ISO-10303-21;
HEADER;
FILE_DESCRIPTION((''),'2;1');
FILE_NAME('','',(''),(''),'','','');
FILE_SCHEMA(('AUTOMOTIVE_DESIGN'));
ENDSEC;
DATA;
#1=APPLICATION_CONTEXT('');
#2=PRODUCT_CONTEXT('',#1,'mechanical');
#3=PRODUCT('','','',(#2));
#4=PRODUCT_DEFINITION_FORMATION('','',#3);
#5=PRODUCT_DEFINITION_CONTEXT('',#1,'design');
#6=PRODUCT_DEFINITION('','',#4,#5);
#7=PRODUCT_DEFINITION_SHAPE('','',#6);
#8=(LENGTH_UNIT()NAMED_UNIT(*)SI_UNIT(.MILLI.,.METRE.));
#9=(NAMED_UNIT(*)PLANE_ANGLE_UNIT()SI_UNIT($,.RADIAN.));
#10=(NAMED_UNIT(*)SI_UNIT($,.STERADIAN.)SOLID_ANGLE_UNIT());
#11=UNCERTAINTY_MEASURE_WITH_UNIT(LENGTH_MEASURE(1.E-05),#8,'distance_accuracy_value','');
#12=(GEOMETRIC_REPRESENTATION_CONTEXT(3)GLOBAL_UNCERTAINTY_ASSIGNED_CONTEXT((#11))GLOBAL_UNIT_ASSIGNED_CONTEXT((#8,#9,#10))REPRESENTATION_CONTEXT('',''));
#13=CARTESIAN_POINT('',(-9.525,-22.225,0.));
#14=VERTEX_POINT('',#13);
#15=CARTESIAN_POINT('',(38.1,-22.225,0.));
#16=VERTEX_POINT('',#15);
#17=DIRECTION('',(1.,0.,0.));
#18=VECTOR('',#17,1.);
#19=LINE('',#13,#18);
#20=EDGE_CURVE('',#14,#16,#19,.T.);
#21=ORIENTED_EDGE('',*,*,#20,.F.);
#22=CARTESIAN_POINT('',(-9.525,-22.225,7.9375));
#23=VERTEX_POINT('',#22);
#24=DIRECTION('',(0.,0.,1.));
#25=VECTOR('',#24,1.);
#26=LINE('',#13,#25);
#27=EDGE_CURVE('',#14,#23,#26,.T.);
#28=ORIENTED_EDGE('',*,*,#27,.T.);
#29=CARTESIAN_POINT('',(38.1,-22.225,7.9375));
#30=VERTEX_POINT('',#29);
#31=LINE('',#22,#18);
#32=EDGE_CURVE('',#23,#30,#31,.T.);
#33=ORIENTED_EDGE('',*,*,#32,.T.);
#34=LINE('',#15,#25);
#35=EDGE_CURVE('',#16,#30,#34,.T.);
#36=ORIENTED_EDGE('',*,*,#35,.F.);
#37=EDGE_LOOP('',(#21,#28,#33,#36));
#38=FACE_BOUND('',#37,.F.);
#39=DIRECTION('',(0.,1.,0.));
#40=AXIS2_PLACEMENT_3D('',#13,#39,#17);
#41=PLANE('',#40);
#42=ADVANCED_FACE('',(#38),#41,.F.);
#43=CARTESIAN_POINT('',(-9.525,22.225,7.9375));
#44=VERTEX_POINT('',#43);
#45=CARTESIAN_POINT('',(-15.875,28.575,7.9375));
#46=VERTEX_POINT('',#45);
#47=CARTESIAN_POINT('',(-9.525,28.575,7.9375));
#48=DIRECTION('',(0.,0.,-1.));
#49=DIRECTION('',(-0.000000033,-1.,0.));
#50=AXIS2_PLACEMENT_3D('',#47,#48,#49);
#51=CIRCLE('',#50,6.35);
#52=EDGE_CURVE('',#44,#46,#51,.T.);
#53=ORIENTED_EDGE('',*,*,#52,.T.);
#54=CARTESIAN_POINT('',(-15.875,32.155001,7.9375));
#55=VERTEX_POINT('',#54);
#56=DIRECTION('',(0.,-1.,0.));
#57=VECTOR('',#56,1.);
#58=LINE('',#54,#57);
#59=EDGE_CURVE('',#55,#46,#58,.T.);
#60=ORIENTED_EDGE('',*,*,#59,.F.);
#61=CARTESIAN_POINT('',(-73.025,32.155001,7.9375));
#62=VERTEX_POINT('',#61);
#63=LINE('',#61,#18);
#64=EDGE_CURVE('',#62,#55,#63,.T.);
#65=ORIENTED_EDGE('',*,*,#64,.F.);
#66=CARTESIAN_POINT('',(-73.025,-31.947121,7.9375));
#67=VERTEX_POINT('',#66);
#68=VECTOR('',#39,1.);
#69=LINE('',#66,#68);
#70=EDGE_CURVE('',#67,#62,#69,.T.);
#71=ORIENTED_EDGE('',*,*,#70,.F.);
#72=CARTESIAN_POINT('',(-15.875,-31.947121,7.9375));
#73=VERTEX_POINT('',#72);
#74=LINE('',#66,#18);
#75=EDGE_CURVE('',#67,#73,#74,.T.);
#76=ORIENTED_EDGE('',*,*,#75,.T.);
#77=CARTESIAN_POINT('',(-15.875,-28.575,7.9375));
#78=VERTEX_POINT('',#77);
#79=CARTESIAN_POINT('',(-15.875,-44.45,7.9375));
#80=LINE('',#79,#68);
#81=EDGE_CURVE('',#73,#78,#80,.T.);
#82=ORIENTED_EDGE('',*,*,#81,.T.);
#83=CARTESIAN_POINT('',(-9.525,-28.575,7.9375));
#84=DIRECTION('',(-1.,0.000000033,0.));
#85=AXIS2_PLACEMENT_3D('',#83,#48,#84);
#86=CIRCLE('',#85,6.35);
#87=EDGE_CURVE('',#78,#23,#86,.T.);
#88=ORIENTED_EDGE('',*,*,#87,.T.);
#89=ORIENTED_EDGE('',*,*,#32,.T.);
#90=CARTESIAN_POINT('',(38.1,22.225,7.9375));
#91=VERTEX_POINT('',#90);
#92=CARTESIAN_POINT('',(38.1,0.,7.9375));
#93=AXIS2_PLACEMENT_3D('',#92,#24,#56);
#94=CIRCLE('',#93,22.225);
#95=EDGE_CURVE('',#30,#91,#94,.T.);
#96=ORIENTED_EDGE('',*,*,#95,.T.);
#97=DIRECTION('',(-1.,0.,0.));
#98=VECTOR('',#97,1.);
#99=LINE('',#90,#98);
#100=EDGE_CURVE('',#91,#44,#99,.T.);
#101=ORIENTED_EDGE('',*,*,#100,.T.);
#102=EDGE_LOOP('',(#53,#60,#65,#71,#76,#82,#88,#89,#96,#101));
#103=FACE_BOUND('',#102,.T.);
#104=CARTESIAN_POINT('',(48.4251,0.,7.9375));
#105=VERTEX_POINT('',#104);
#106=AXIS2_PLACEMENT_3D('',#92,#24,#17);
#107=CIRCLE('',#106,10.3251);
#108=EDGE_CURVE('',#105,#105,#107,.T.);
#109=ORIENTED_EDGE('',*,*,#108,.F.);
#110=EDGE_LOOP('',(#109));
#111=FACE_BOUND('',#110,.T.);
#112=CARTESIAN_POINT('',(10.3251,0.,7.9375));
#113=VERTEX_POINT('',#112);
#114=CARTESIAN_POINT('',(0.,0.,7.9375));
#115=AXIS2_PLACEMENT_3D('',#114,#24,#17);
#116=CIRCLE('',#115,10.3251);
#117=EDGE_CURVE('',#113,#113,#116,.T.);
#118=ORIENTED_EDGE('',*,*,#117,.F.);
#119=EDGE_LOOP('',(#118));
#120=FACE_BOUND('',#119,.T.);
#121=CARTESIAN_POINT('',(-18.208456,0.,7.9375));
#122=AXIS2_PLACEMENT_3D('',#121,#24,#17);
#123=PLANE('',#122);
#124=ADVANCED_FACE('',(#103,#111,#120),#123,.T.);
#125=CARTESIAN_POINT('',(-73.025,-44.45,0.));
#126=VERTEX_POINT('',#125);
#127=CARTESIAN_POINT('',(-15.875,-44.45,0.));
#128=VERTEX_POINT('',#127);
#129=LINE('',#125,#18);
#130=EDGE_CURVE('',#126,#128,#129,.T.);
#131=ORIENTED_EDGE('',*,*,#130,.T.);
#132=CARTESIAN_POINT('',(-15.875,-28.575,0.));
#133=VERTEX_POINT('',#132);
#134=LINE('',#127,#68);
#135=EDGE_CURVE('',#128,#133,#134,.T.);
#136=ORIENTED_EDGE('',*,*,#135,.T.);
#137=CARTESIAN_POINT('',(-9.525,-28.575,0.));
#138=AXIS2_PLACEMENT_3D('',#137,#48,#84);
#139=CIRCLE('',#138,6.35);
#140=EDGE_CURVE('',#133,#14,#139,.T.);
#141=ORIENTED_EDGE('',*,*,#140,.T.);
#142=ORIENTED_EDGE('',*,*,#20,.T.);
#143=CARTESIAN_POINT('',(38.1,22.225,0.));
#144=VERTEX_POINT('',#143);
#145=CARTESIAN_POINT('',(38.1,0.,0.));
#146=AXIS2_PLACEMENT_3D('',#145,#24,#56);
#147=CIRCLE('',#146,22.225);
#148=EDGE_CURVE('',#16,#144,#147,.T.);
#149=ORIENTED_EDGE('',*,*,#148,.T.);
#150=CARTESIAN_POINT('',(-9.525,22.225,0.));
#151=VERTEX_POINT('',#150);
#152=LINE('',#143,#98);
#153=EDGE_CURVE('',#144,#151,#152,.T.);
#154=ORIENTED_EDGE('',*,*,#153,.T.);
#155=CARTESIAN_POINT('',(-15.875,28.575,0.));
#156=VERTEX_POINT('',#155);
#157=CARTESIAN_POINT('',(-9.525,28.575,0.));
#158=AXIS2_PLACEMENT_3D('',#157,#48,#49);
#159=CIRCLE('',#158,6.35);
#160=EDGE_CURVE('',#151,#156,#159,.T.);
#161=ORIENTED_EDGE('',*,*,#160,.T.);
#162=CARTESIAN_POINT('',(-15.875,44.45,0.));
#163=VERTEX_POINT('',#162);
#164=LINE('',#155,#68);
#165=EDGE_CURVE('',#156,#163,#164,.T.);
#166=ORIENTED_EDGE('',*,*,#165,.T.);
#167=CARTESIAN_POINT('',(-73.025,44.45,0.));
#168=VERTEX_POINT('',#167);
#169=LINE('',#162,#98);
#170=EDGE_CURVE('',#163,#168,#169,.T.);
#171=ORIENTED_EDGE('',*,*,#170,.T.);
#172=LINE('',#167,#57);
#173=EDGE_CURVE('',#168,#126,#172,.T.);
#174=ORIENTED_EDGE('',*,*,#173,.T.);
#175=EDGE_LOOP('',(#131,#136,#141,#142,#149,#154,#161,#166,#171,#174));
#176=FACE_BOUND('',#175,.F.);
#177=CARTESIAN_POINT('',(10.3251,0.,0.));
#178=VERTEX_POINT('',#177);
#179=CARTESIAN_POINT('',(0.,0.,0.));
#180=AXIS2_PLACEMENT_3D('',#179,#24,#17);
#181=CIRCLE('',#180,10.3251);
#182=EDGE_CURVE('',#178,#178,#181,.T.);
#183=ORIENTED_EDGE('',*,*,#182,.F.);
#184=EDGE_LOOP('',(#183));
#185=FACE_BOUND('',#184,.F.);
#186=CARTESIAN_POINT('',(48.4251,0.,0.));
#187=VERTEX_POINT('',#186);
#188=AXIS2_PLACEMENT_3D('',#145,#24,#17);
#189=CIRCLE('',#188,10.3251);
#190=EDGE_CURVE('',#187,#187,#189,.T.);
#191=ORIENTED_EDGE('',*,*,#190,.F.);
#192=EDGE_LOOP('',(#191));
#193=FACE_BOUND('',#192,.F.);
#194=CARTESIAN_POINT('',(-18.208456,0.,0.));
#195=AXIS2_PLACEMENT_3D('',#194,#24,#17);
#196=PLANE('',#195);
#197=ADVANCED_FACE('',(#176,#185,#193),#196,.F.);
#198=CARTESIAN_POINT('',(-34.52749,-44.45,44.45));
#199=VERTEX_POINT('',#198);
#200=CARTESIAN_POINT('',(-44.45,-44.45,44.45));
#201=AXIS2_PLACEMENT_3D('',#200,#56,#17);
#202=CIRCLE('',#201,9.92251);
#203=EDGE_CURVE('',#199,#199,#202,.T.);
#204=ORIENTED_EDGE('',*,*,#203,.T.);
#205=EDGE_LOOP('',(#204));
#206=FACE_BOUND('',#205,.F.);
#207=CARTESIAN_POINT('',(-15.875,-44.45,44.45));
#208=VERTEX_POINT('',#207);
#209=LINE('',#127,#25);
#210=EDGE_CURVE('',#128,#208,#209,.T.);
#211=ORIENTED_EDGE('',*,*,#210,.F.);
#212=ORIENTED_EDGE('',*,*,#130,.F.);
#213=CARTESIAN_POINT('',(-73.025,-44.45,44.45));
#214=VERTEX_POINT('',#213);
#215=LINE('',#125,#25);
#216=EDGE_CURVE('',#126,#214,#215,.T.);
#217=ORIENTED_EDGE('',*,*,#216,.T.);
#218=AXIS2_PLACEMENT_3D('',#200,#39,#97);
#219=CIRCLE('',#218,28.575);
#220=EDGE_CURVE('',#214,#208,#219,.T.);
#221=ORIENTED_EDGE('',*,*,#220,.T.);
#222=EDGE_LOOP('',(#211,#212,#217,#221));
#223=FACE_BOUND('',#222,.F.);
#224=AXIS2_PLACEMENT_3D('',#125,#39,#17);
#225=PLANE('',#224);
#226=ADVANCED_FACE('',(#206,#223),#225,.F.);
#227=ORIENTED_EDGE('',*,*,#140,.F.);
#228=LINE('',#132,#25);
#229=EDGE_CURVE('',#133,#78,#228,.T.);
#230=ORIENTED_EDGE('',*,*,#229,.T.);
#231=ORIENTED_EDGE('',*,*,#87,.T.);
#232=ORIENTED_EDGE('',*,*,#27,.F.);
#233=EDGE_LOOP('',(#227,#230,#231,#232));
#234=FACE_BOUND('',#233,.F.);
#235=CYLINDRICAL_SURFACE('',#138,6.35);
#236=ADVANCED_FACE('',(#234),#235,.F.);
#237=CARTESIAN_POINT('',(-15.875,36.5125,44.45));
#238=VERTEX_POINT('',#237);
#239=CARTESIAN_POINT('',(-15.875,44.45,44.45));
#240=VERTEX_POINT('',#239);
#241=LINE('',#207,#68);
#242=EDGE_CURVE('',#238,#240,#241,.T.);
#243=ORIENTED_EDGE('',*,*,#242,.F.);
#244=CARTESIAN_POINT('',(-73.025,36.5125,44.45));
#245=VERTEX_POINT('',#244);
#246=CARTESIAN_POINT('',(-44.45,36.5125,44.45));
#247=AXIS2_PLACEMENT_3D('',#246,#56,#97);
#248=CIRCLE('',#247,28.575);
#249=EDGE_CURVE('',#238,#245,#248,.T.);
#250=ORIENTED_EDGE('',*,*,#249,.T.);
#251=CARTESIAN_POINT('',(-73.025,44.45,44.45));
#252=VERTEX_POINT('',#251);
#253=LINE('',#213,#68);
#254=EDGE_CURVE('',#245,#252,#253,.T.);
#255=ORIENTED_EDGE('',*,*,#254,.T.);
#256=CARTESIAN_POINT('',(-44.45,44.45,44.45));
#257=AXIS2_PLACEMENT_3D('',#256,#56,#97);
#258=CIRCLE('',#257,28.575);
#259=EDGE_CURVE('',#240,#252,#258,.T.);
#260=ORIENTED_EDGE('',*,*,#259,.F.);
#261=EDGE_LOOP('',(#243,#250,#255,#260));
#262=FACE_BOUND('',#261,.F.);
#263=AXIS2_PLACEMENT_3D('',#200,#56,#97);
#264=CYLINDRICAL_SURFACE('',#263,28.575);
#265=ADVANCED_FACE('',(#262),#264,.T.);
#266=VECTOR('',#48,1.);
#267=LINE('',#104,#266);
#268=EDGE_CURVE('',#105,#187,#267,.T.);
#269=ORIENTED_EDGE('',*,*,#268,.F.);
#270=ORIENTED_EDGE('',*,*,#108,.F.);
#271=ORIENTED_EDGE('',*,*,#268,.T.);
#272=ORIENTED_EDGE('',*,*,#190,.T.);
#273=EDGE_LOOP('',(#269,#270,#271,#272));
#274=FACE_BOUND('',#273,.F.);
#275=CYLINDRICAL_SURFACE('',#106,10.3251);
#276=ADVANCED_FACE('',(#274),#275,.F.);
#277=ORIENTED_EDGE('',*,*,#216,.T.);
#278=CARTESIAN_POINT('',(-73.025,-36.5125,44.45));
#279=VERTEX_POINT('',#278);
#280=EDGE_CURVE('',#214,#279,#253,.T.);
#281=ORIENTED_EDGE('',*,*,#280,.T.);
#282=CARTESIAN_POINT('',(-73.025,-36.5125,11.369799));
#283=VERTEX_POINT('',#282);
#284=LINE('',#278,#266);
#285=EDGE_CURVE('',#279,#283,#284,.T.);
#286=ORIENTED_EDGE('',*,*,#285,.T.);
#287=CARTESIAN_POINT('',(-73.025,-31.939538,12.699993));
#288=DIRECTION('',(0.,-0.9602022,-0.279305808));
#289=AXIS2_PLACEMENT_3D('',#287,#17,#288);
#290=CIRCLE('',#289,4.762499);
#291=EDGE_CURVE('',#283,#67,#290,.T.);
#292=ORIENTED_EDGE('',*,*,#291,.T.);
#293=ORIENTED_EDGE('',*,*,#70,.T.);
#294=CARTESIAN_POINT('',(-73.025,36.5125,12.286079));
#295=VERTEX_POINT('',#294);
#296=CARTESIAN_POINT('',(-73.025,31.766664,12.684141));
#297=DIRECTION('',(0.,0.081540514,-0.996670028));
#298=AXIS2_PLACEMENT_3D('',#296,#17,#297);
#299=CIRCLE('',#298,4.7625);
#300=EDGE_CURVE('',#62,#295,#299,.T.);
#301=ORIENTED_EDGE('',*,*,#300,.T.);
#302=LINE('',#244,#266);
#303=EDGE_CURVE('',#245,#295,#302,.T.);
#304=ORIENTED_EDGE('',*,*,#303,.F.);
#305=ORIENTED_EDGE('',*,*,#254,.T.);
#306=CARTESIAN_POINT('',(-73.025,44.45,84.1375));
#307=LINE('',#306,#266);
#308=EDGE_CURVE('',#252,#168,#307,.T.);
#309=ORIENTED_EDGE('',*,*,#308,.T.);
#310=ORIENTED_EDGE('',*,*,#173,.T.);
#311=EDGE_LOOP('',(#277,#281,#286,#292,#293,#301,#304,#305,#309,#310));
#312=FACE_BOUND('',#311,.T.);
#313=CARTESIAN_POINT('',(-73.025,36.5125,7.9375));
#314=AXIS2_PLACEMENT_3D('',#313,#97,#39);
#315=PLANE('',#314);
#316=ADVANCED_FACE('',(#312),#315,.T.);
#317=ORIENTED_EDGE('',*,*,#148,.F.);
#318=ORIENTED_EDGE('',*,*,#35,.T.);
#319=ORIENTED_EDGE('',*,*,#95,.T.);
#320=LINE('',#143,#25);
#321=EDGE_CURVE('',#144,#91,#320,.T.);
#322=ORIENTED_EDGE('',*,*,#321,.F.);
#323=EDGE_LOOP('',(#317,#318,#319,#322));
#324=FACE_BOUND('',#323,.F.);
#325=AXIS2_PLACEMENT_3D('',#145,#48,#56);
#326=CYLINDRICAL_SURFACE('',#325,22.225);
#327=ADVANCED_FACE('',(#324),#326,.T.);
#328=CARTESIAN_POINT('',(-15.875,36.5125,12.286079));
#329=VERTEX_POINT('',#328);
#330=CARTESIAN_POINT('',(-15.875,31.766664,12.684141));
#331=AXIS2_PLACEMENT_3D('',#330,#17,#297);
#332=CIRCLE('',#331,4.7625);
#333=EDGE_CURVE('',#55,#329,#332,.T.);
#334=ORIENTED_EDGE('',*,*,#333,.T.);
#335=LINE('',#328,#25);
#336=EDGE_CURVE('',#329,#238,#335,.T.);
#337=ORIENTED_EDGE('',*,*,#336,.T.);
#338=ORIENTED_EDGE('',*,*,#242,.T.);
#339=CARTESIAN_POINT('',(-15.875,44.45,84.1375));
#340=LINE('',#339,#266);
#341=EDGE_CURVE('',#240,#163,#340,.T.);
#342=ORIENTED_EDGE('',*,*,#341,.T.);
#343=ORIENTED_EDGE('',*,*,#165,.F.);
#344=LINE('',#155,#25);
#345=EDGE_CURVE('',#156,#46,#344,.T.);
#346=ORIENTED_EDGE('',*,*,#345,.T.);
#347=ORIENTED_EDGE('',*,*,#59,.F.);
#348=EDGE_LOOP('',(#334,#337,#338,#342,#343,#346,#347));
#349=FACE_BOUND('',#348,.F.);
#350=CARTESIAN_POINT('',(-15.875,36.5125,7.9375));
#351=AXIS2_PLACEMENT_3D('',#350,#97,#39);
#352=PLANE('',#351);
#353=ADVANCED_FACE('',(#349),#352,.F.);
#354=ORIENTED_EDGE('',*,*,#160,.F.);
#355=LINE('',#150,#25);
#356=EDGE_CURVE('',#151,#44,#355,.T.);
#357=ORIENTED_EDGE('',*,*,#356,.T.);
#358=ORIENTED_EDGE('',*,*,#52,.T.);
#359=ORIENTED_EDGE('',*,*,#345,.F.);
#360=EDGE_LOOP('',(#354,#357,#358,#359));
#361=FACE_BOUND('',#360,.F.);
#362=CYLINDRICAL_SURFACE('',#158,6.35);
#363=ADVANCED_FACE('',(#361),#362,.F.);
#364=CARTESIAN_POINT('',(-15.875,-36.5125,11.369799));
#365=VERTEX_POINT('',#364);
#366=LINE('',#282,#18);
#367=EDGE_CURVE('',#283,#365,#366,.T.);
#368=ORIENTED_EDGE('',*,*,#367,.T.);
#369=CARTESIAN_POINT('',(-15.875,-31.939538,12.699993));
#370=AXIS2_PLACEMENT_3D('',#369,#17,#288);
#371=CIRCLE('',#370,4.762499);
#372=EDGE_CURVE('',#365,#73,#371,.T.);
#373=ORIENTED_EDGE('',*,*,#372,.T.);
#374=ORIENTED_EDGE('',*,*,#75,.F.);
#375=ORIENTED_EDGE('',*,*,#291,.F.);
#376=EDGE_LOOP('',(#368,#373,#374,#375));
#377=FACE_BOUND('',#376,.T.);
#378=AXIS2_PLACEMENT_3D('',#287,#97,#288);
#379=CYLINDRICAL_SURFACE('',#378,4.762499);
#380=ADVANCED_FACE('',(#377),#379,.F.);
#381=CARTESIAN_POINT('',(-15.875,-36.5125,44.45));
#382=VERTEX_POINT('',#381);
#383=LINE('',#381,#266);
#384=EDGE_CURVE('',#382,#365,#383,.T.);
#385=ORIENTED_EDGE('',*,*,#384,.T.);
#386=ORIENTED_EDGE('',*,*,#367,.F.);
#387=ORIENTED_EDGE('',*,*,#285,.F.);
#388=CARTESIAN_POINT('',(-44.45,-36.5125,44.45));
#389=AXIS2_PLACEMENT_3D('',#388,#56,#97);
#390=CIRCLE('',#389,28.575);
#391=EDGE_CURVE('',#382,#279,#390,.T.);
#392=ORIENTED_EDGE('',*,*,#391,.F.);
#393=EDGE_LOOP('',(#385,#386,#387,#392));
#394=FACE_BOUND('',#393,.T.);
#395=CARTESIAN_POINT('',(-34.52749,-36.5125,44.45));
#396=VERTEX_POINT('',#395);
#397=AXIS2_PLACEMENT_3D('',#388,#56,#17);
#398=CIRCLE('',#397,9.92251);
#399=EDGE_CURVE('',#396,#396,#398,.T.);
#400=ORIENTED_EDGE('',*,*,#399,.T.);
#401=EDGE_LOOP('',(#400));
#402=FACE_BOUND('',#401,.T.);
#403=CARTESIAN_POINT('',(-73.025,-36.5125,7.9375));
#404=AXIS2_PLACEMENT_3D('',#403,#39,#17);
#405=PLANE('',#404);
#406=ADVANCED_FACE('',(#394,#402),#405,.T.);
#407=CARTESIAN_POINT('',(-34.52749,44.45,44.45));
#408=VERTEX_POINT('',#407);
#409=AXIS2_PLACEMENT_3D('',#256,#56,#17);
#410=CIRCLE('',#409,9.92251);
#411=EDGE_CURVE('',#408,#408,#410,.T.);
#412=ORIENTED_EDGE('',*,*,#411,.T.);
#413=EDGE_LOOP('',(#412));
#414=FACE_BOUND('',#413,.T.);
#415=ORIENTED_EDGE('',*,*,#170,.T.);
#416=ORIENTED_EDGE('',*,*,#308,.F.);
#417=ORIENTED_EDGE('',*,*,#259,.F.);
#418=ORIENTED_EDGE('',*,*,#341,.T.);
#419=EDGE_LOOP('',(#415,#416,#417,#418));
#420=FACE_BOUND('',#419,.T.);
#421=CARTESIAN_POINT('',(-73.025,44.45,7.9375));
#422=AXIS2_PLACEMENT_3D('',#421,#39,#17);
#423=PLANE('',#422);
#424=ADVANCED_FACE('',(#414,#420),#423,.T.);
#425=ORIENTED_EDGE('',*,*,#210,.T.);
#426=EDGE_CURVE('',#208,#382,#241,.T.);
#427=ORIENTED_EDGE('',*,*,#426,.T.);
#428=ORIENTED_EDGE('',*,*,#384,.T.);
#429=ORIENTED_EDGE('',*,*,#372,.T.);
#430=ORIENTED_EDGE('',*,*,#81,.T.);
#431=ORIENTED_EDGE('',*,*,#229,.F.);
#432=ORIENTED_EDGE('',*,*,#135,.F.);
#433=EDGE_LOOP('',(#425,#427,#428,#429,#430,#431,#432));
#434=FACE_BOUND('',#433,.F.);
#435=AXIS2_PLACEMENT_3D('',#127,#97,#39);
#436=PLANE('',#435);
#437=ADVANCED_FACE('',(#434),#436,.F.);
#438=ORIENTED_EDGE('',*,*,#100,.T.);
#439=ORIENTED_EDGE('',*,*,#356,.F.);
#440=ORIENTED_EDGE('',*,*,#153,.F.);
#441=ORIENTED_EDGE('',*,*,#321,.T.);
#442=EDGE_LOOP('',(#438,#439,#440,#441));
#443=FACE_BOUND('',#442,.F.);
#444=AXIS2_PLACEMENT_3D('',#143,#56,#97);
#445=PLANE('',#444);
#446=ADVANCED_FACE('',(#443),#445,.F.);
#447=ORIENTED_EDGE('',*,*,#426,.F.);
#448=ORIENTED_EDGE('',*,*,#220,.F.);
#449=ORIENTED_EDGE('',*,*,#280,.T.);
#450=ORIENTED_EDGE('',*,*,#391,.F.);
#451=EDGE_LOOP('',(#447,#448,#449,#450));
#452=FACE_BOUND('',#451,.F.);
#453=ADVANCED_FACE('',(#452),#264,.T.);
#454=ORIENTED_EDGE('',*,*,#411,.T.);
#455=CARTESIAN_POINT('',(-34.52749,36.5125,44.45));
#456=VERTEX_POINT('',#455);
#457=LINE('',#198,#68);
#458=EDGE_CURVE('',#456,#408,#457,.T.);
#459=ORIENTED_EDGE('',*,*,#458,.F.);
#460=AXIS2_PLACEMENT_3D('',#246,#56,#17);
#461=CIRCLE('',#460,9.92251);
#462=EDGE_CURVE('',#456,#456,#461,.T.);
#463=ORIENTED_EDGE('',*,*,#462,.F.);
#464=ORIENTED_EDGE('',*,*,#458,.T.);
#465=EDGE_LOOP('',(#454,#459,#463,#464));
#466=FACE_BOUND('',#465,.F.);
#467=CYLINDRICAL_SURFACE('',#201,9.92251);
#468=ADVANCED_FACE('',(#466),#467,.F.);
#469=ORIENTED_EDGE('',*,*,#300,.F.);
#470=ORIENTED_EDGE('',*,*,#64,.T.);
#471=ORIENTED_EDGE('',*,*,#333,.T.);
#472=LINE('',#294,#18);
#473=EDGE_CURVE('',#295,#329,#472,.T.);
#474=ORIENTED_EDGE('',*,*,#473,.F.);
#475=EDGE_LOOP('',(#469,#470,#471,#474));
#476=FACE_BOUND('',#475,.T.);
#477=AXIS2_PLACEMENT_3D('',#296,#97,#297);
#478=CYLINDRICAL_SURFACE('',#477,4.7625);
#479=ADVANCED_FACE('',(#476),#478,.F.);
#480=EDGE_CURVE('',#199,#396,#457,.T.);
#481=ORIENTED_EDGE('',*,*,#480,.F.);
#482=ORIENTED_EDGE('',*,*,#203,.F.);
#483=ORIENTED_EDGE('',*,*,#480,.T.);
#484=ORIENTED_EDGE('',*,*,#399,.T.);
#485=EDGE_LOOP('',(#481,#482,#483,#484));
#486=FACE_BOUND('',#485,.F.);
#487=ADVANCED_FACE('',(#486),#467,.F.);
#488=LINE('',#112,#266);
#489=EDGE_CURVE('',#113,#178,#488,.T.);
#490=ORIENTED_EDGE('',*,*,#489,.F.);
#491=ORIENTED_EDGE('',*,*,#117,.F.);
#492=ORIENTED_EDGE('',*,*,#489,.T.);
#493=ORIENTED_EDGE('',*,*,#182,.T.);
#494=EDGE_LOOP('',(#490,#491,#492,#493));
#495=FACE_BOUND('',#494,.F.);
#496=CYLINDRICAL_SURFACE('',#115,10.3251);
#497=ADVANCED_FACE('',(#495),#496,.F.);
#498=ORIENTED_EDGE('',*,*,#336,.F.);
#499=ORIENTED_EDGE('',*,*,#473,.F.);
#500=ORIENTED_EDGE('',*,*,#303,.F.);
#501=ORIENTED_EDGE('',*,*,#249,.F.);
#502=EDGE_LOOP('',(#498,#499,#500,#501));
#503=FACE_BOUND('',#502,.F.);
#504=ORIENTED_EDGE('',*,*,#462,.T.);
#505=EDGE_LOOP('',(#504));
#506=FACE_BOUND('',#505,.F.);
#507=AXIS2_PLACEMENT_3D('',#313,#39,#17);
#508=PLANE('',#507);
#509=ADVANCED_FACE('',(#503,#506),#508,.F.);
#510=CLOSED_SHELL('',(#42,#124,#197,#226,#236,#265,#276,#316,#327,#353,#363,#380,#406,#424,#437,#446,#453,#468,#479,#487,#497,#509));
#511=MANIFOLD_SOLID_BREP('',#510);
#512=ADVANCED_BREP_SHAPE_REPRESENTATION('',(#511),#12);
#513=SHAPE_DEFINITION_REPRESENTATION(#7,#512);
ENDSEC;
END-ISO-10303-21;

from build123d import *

# Parameters (mm, degrees)
F1_DEPTH = 7.9375
F2_W     = 57.15
F2_H     = 7.9375
F3_DEPTH = 76.2
F4_R     = 9.92251
F5_DEPTH = 88.901
F6_R     = 10.3251
F7_DEPTH = 25.4
F9_DEPTH = 57.15


with BuildPart() as f1:
    # F0 (on Top) → F1 (new body)
    with BuildSketch(Plane.XY):
        with BuildLine():
            Line((-9.525, -22.225), (38.1, -22.225))
            ThreePointArc((38.1, -22.225), (60.325, 0), (38.1, 22.225))
            Line((38.1, 22.225), (-9.525, 22.225))
            ThreePointArc((-9.525, 22.225), (-14.015128, 24.084872), (-15.875, 28.575))
            Line((-15.875, 28.575), (-15.875, 44.45))
            Line((-15.875, 44.45), (-73.025, 44.45))
            Line((-73.025, 44.45), (-73.025, -44.45))
            Line((-73.025, -44.45), (-15.875, -44.45))
            Line((-15.875, -44.45), (-15.875, -28.575))
            ThreePointArc((-15.875, -28.575), (-14.015128, -24.084872), (-9.525, -22.225))
        make_face()
    extrude(amount=F1_DEPTH)

    # F2 (on face) → F3 (join)
    with BuildSketch(Plane.XY.offset(7.9375)):
        with Locations((-44.45, 40.48125)):
            Rectangle(F2_W, F2_H)
        with Locations((-44.45, -40.48125)):
            Rectangle(F2_W, F2_H)
    extrude(amount=F3_DEPTH)

    # F4 (on face) → F5 (cut, through all)
    with BuildSketch(Plane.XZ.offset(44.45)):
        with BuildLine():
            ThreePointArc((-73.025, 44.45), (-44.45, 73.025), (-15.875, 44.45))
            Line((-15.875, 44.45), (-15.875, 84.1375))
            Line((-15.875, 84.1375), (-73.025, 84.1375))
            Line((-73.025, 84.1375), (-73.025, 44.45))
        make_face()
        with Locations((-44.45, 44.45)):
            Circle(F4_R)
    extrude(amount=-F5_DEPTH, mode=Mode.SUBTRACT)

    # F6 (on face) → F7 (cut)
    with BuildSketch(Plane.XY.offset(7.9375)):
        with Locations((38.1, 0)):
            Circle(F6_R)
        Circle(F6_R)
    extrude(amount=-F7_DEPTH, mode=Mode.SUBTRACT)

    # F8 (on face) → F9 (join)
    with BuildSketch(Plane(origin=(-73.025, 0, 0), x_dir=(0, -1, 0), z_dir=(-1, 0, 0))):
        with BuildLine():
            Line((-36.5125, 12.286079), (-36.5125, 13.082203))
            ThreePointArc((-36.5125, 13.082203), (-36.529165, 12.684141), (-36.5125, 12.286079))
        make_face()
        with BuildLine():
            Line((-31.378329, 7.9375), (-32.155001, 7.9375))
            ThreePointArc((-32.155001, 7.9375), (-31.766665, 7.921641), (-31.378329, 7.9375))
        make_face()
        with BuildLine():
            ThreePointArc((-32.155001, 7.9375), (-35.130808, 9.313096), (-36.5125, 12.286079))
            Line((-36.5125, 12.286079), (-36.5125, 7.9375))
            Line((-36.5125, 7.9375), (-32.155001, 7.9375))
        make_face()
        with BuildLine():
            Line((36.5125, 14.030189), (36.5125, 11.369799))
            ThreePointArc((36.5125, 11.369799), (36.702037, 12.699994), (36.5125, 14.030189))
        make_face()
        with BuildLine():
            ThreePointArc((36.5125, 11.369799), (34.801446, 8.893304), (31.947121, 7.9375))
            Line((31.947121, 7.9375), (36.5125, 7.9375))
            Line((36.5125, 7.9375), (36.5125, 11.369799))
        make_face()
    extrude(amount=-F9_DEPTH)


solid = f1.part
